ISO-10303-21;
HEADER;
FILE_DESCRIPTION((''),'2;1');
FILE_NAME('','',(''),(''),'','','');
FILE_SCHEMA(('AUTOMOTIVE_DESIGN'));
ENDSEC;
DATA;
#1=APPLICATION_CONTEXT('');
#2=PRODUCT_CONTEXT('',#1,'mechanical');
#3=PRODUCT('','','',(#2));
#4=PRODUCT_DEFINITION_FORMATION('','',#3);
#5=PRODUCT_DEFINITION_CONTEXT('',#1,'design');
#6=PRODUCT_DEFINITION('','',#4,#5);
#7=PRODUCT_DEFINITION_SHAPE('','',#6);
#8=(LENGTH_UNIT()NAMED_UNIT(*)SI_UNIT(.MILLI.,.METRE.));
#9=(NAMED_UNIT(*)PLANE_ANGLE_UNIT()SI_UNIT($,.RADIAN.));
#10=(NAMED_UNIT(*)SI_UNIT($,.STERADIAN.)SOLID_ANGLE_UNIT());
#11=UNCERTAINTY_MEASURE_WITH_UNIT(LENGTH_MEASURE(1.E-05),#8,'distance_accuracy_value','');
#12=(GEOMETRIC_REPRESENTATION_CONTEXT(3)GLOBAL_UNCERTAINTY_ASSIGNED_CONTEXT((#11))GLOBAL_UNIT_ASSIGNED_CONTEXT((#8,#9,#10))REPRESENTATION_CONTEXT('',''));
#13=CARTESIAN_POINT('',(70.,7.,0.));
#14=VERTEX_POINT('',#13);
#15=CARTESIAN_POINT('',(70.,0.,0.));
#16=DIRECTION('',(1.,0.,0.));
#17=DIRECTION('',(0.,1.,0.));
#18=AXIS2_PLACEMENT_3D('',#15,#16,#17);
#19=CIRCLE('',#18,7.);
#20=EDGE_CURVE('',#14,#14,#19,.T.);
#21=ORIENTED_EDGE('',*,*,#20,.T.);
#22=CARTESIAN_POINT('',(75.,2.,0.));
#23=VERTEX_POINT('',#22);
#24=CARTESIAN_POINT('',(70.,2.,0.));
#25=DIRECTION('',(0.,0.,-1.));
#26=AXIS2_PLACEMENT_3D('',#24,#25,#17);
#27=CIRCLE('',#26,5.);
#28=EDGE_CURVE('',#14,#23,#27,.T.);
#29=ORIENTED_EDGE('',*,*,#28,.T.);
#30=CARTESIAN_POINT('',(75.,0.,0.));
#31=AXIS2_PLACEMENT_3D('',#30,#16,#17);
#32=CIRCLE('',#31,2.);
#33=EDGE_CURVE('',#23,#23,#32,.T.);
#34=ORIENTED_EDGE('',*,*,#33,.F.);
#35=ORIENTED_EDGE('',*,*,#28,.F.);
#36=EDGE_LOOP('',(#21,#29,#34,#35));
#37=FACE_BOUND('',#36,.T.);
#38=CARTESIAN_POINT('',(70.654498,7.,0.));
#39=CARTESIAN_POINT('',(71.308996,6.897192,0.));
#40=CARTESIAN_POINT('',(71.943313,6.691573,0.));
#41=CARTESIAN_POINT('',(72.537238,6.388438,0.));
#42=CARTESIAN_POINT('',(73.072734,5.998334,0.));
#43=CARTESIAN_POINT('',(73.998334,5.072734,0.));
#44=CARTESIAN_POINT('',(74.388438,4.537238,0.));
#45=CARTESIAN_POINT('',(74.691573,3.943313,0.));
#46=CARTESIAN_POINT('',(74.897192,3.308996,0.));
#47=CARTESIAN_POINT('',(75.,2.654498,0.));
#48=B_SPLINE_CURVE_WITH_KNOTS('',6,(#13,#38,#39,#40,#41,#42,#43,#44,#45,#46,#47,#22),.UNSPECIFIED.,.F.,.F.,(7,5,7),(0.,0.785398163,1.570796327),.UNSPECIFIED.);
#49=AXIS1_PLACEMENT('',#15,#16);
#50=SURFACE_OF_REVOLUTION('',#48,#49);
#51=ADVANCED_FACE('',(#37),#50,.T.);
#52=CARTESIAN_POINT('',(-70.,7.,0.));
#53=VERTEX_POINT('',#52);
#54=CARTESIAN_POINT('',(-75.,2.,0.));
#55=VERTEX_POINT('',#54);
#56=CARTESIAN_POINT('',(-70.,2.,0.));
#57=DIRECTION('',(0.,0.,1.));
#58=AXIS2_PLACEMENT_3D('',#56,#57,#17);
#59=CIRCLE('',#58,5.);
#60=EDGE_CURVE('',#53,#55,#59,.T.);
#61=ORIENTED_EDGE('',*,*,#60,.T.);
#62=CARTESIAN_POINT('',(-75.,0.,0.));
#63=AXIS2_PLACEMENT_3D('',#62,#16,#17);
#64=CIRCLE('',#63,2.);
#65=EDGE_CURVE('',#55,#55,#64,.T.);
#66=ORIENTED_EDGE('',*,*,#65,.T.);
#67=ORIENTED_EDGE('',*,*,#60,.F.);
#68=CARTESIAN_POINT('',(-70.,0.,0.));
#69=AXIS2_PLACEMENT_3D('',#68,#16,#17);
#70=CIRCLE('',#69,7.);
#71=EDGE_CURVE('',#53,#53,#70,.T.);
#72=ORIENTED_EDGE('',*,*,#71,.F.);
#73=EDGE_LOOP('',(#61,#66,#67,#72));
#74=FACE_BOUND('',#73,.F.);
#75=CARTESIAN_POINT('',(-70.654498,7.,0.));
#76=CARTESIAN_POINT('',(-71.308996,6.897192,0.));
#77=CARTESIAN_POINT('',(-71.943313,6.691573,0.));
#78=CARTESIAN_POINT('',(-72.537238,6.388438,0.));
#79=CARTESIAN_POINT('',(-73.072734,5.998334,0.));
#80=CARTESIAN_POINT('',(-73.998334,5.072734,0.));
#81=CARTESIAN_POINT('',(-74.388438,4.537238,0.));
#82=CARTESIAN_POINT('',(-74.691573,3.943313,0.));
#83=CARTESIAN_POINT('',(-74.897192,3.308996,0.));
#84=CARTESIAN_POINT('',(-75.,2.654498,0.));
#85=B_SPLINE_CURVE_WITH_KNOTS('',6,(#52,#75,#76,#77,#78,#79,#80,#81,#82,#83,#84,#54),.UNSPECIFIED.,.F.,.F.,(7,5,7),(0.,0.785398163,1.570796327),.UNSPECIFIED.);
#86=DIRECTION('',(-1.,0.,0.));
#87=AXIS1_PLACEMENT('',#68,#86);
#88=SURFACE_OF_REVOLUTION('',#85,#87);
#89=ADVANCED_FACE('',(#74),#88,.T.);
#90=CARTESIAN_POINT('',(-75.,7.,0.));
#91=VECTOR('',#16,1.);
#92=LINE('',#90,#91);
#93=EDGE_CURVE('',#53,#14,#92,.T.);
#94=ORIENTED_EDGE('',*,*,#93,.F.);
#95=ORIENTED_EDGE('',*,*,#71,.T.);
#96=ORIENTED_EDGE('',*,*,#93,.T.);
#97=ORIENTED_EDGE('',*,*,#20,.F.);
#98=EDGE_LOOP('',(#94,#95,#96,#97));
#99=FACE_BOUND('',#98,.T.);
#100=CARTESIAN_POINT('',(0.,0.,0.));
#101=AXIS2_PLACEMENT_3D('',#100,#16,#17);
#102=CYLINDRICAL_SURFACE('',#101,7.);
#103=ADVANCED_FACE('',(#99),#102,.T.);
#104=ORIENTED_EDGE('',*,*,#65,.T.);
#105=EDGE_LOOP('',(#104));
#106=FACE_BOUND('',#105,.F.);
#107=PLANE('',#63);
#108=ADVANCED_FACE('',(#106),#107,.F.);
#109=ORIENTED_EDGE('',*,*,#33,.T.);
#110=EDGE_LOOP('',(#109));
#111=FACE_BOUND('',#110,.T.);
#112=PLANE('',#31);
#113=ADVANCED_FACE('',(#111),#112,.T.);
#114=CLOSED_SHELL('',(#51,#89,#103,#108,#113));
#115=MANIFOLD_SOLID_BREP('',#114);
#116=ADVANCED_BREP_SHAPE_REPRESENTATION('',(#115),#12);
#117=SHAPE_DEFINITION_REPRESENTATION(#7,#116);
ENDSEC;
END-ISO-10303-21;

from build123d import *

# Parameters (mm, degrees)
F0_R     = 7
F1_DEPTH = 75
F2_R     = 5


with BuildPart() as f1:
    # F0 (on Right) → F1 (new body, symmetric)
    with BuildSketch(Plane.YZ):
        Circle(F0_R)
    extrude(amount=F1_DEPTH, both=True)

    # F2
    f2_edges = [f1.edges().sort_by_distance(p)[0] for p in [
        (75, -7, 0),
        (-75, -7, 0),
    ]]
    fillet(f2_edges, radius=F2_R)


solid = f1.part
